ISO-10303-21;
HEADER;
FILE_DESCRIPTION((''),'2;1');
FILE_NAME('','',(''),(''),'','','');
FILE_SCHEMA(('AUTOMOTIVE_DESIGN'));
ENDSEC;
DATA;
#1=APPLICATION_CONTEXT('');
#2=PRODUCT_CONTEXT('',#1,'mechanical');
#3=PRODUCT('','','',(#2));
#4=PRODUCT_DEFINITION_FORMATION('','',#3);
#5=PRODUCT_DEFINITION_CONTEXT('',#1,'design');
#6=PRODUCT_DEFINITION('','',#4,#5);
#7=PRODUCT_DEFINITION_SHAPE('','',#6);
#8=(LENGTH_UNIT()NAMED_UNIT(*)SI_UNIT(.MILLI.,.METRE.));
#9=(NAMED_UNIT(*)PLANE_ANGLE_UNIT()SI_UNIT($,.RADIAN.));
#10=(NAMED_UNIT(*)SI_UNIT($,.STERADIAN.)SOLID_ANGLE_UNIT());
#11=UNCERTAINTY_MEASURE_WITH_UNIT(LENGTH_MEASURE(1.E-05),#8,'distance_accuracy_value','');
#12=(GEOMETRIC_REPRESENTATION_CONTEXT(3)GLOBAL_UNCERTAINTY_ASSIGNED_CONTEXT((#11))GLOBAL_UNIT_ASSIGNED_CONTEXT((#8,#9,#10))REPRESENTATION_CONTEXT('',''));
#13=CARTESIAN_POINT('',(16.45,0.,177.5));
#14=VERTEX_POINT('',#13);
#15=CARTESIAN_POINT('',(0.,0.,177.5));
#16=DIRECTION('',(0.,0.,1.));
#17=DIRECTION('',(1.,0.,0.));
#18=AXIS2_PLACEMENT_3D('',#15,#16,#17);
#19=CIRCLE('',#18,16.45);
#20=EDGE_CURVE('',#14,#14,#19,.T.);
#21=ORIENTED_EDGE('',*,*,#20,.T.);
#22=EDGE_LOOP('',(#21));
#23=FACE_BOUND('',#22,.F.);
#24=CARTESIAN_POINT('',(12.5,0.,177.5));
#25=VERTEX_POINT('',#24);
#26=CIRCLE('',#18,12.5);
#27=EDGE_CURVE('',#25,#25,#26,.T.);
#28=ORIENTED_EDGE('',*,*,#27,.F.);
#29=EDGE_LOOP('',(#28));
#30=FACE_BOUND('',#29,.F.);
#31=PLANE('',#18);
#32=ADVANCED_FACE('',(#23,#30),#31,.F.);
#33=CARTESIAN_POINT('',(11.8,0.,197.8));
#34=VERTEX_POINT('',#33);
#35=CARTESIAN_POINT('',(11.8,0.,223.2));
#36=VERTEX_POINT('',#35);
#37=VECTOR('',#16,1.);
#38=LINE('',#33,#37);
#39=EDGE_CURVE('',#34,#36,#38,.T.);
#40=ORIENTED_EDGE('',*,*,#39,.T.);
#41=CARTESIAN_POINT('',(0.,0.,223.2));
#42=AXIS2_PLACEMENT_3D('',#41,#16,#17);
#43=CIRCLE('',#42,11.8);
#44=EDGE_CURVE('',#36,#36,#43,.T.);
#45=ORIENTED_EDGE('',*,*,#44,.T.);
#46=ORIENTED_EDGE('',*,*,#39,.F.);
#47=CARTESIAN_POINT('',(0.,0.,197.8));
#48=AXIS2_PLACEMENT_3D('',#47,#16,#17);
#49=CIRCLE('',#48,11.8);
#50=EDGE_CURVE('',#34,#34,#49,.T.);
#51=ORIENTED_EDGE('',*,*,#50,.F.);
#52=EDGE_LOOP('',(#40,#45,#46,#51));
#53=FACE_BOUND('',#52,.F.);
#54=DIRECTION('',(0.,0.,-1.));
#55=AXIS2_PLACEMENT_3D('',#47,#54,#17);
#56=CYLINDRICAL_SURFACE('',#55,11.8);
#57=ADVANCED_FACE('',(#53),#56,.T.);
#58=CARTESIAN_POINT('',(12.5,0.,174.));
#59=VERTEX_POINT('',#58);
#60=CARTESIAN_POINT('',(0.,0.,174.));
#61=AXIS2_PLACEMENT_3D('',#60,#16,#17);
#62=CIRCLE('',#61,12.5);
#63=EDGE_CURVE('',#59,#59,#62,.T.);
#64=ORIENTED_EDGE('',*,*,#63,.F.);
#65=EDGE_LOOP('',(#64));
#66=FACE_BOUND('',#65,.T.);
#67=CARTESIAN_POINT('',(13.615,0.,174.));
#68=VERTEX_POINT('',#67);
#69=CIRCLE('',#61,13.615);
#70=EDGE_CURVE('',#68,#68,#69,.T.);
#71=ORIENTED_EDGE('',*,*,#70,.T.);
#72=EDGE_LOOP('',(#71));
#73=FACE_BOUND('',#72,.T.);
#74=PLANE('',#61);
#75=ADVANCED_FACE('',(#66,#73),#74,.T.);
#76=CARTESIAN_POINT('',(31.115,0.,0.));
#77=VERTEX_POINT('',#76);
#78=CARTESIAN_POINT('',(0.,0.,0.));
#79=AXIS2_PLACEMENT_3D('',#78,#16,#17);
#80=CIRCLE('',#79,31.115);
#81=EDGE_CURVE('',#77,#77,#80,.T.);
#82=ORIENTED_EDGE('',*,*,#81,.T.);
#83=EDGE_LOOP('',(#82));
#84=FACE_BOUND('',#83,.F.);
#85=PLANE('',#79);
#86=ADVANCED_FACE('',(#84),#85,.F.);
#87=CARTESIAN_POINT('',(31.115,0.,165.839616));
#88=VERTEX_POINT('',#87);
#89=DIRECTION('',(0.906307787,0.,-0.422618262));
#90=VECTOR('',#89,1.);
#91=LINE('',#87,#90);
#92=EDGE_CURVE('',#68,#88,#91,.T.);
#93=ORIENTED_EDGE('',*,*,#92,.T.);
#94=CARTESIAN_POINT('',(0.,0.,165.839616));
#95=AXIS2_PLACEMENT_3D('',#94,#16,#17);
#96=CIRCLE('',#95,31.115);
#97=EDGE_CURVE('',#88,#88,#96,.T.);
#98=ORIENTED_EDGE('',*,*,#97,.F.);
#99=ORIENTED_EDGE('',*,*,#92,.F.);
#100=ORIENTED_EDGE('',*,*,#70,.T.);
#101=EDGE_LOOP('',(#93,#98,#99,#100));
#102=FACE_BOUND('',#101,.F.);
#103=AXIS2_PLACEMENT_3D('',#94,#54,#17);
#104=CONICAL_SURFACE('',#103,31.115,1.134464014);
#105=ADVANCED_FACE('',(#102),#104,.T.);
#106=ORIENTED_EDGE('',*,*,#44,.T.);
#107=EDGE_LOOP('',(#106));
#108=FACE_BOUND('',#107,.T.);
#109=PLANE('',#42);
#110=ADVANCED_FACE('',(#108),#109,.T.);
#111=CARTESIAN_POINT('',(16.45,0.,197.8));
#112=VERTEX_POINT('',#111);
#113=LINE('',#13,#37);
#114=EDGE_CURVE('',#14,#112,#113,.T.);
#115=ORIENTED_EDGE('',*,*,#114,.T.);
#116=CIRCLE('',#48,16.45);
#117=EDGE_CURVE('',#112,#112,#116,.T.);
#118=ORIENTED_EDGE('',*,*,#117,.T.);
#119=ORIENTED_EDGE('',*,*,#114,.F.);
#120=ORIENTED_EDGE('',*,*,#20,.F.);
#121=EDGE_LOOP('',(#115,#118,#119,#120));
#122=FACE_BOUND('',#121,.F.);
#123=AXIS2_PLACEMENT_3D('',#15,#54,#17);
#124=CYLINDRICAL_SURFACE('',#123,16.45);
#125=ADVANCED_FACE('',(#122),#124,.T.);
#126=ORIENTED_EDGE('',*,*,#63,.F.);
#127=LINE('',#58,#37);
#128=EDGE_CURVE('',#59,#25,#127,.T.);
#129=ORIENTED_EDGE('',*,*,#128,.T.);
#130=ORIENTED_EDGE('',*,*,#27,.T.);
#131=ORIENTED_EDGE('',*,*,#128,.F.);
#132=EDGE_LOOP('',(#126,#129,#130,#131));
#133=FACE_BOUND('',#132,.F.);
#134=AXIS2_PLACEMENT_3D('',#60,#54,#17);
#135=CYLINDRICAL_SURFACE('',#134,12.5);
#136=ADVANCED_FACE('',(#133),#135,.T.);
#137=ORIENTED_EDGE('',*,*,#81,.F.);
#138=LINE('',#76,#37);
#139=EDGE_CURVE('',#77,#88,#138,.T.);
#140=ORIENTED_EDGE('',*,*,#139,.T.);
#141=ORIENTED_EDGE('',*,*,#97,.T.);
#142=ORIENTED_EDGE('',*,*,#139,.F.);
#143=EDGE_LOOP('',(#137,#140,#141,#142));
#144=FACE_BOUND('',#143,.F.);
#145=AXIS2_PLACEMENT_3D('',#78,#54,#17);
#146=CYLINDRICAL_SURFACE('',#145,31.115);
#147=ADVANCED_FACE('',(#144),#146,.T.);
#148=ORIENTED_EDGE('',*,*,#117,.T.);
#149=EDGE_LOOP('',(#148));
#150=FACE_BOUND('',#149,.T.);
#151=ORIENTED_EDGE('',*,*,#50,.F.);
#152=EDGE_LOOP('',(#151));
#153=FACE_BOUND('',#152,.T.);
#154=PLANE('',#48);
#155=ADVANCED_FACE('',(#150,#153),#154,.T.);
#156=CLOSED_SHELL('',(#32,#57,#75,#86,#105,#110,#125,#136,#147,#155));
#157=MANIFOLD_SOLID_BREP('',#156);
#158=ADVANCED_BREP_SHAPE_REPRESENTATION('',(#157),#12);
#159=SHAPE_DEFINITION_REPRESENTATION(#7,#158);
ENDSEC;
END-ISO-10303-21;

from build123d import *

# Parameters (mm, degrees)
F0_R     = 31.115
F1_DEPTH = 174
F2_SIZE2 = 8.1603840177
F2_SIZE  = 17.5
F3_R     = 12.5
F4_DEPTH = 3.5
F5_R     = 16.45
F6_DEPTH = 20.3
F7_R     = 11.8
F8_DEPTH = 25.4


with BuildPart() as f1:
    # F0 (on Top) → F1 (new body)
    with BuildSketch(Plane.XY):
        Circle(F0_R)
    extrude(amount=F1_DEPTH)

    # F2
    f2_edges = [f1.edges().sort_by_distance(p)[0] for p in [
        (-31.115, 0, 174),
    ]]
    f2_side = f1.faces().sort_by_distance((0, 0, 174))[0]
    chamfer(f2_edges, length=F2_SIZE, length2=F2_SIZE2, reference=f2_side)

    # F3 (on face) → F4 (join)
    with BuildSketch(Plane.XY.offset(174)):
        Circle(F3_R)
    extrude(amount=F4_DEPTH)

    # F5 (on face) → F6 (join)
    with BuildSketch(Plane.XY.offset(177.5)):
        Circle(F5_R)
    extrude(amount=F6_DEPTH)

    # F7 (on face) → F8 (join)
    with BuildSketch(Plane.XY.offset(197.8)):
        Circle(F7_R)
    extrude(amount=F8_DEPTH)


solid = f1.part
